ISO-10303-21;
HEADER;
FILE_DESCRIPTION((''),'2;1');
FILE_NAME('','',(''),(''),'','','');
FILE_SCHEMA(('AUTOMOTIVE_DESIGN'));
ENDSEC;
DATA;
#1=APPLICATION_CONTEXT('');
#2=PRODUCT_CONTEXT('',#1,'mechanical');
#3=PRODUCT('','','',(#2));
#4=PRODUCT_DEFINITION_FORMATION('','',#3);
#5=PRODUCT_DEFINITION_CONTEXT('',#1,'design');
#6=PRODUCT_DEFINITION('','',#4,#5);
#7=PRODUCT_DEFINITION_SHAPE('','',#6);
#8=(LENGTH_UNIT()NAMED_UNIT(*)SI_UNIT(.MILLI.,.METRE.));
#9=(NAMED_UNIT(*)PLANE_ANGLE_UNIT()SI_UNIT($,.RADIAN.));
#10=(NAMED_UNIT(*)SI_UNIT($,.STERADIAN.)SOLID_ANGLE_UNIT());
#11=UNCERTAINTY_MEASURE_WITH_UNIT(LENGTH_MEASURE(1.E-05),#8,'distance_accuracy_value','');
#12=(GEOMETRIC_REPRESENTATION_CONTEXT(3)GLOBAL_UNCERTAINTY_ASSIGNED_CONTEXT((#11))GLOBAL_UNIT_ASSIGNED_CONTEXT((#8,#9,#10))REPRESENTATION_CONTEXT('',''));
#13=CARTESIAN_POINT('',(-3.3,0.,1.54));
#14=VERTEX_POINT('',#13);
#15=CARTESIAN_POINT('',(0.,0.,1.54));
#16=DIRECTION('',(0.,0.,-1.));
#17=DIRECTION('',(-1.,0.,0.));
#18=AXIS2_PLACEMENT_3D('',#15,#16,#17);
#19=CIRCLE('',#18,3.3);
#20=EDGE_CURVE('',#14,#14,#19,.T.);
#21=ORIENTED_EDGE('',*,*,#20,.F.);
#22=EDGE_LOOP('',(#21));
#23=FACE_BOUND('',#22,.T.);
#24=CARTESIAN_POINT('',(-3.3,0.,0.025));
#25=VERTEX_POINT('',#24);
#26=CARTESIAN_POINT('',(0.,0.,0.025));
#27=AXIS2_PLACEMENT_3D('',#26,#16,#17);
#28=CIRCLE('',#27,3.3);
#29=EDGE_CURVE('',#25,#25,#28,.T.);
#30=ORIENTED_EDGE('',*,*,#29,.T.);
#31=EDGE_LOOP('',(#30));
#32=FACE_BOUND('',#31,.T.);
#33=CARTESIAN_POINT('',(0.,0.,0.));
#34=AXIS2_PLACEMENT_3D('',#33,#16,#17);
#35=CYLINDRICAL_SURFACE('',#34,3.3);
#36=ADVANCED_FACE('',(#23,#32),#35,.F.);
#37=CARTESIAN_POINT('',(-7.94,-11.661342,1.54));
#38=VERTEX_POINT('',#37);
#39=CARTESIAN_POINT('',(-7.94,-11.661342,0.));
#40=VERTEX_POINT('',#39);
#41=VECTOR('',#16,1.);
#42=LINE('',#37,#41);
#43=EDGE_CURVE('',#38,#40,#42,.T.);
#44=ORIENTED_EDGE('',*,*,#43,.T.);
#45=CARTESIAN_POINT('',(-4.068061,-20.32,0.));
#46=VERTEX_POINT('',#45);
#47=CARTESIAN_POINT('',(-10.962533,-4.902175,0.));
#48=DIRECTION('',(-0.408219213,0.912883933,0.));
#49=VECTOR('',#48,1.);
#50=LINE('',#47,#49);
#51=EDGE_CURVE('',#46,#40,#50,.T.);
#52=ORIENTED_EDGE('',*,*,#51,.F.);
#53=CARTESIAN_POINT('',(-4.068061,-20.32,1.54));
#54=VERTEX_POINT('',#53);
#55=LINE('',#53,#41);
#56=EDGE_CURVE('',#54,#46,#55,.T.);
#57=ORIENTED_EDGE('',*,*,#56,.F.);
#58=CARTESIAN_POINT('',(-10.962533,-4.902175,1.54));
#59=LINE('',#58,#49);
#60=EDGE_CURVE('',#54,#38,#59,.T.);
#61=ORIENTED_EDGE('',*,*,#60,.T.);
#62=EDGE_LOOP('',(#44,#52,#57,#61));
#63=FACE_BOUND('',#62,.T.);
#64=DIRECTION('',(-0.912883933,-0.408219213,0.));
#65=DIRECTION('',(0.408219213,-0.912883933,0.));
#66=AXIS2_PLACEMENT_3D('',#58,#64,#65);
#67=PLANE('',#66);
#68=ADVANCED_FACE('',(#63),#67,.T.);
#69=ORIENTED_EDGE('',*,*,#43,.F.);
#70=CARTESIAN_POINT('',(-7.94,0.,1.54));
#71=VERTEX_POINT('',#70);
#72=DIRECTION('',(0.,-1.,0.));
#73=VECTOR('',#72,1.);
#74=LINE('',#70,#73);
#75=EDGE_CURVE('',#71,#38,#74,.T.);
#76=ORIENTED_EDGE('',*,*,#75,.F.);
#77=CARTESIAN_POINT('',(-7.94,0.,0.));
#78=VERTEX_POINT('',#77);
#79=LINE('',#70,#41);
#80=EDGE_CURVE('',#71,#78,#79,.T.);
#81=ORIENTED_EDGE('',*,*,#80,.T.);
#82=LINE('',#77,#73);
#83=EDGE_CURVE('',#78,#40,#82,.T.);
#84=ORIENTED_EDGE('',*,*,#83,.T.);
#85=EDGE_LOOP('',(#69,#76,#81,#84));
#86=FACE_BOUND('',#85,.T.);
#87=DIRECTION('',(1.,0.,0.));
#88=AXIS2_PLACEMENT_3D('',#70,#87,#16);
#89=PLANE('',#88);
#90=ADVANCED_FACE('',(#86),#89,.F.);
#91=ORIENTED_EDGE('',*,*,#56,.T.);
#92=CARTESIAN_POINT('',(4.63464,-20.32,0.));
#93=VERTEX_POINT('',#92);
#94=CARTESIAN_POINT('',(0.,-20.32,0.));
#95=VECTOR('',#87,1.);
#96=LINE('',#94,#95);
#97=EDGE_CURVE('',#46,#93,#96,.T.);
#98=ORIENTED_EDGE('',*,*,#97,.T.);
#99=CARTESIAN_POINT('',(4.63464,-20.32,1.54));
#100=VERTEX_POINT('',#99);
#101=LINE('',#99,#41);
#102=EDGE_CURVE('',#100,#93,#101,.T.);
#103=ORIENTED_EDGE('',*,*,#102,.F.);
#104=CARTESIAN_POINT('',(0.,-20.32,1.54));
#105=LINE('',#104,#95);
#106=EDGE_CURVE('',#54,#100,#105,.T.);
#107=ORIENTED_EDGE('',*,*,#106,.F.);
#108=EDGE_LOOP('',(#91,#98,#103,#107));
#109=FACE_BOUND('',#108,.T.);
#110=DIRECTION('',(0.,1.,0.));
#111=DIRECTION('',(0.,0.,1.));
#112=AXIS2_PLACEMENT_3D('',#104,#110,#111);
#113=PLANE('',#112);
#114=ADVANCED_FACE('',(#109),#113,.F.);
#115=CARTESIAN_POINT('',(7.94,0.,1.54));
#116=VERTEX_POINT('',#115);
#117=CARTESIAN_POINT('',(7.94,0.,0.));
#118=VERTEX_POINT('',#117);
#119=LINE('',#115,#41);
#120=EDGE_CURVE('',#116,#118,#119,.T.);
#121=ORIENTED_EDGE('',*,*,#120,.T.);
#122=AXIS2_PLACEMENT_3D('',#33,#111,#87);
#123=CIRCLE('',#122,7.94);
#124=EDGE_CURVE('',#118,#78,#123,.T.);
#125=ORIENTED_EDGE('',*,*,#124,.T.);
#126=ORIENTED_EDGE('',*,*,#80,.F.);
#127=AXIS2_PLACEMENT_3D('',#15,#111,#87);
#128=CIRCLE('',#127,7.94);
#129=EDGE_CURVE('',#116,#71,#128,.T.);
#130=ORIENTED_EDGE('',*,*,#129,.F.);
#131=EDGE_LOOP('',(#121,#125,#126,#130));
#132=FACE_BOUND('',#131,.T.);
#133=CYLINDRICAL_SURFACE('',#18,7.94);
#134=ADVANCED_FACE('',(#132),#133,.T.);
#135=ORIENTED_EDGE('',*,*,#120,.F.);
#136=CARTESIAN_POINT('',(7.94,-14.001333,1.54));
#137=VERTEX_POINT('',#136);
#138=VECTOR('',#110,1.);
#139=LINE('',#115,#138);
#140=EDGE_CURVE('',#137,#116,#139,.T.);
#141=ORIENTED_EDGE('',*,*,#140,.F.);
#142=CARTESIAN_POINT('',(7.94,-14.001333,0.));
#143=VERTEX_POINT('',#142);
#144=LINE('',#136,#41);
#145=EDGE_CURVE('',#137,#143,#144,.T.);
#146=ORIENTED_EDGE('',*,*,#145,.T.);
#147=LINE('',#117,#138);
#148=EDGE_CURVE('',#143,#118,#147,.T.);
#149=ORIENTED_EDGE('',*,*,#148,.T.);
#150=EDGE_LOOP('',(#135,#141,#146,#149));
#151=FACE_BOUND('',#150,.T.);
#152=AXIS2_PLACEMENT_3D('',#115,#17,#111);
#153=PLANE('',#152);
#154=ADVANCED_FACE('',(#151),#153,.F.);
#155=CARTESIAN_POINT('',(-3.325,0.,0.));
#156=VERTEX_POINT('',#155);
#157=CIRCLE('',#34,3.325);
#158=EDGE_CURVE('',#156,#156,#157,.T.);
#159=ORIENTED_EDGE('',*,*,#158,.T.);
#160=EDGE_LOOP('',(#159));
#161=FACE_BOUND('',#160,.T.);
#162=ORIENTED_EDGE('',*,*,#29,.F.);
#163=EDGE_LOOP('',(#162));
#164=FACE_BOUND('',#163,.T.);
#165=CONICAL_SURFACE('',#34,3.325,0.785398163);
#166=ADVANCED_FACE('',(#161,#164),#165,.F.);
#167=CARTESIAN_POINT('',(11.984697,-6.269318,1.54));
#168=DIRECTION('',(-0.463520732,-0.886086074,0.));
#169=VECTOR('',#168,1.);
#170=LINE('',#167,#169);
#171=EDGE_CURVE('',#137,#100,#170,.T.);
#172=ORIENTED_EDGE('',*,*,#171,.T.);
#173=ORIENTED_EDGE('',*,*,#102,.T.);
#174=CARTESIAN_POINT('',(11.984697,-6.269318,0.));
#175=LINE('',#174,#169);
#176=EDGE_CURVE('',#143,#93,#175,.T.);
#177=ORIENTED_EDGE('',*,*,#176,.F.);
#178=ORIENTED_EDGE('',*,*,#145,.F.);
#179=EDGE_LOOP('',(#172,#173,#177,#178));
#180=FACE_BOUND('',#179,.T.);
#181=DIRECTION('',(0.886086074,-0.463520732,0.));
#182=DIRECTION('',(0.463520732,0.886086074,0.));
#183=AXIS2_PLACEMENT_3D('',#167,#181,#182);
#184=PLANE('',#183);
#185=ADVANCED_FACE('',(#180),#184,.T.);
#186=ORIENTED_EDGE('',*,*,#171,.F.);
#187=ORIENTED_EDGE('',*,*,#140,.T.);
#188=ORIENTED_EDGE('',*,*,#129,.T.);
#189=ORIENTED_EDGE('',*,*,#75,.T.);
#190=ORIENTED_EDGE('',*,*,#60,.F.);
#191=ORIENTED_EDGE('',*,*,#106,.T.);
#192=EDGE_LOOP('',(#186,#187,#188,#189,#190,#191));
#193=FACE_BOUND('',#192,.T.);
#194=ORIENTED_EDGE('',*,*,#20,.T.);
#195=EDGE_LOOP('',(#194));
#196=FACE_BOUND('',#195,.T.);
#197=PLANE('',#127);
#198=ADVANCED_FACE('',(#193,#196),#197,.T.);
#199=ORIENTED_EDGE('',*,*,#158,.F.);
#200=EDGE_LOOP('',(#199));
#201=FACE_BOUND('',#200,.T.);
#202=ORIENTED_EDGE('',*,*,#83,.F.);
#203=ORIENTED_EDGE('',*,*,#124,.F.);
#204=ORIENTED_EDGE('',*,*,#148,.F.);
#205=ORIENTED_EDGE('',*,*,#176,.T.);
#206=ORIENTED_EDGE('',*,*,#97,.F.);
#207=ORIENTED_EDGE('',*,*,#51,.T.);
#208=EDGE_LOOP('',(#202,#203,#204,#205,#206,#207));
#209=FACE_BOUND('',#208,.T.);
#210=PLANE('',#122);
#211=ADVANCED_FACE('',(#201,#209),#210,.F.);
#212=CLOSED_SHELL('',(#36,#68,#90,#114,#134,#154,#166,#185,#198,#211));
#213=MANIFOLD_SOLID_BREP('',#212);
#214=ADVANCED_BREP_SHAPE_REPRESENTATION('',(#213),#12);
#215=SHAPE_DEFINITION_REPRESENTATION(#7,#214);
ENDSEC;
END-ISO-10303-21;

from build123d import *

# Parameters (mm, degrees)
BOSS_EXTRUDE1_DEPTH = 1.54


with BuildPart() as part:
    # Sketch1 → Boss-Extrude1 (new body)
    with BuildSketch(Plane.XY):
        with BuildLine():
            Line((7.939999995, -14.001333096), (7.939999995, 0))
            ThreePointArc((7.939999995, 0), (0, 7.939999995), (-7.939999995, 0))
            Line((-7.939999995, 0), (-7.939999995, -11.661341892))
            Line((-7.939999995, -11.661341892), (-4.068061328, -20.32))
            Line((-4.068061328, -20.32), (4.6346404, -20.32))
            Line((4.6346404, -20.32), (7.939999995, -14.001333096))
        make_face()
    extrude(amount=BOSS_EXTRUDE1_DEPTH)

    # Sketch3 → M6 Clearance Hole1 (revolve, cut)
    with BuildSketch(Plane.YZ):
        Polygon((0, 0), (0, 1.54), (3.3, 1.54), (3.3, 0.025), (3.325, 0), align=None)
    revolve(axis=Axis((0, 0, -6.35), (0, 0, 1)), mode=Mode.SUBTRACT)


solid = part.part
